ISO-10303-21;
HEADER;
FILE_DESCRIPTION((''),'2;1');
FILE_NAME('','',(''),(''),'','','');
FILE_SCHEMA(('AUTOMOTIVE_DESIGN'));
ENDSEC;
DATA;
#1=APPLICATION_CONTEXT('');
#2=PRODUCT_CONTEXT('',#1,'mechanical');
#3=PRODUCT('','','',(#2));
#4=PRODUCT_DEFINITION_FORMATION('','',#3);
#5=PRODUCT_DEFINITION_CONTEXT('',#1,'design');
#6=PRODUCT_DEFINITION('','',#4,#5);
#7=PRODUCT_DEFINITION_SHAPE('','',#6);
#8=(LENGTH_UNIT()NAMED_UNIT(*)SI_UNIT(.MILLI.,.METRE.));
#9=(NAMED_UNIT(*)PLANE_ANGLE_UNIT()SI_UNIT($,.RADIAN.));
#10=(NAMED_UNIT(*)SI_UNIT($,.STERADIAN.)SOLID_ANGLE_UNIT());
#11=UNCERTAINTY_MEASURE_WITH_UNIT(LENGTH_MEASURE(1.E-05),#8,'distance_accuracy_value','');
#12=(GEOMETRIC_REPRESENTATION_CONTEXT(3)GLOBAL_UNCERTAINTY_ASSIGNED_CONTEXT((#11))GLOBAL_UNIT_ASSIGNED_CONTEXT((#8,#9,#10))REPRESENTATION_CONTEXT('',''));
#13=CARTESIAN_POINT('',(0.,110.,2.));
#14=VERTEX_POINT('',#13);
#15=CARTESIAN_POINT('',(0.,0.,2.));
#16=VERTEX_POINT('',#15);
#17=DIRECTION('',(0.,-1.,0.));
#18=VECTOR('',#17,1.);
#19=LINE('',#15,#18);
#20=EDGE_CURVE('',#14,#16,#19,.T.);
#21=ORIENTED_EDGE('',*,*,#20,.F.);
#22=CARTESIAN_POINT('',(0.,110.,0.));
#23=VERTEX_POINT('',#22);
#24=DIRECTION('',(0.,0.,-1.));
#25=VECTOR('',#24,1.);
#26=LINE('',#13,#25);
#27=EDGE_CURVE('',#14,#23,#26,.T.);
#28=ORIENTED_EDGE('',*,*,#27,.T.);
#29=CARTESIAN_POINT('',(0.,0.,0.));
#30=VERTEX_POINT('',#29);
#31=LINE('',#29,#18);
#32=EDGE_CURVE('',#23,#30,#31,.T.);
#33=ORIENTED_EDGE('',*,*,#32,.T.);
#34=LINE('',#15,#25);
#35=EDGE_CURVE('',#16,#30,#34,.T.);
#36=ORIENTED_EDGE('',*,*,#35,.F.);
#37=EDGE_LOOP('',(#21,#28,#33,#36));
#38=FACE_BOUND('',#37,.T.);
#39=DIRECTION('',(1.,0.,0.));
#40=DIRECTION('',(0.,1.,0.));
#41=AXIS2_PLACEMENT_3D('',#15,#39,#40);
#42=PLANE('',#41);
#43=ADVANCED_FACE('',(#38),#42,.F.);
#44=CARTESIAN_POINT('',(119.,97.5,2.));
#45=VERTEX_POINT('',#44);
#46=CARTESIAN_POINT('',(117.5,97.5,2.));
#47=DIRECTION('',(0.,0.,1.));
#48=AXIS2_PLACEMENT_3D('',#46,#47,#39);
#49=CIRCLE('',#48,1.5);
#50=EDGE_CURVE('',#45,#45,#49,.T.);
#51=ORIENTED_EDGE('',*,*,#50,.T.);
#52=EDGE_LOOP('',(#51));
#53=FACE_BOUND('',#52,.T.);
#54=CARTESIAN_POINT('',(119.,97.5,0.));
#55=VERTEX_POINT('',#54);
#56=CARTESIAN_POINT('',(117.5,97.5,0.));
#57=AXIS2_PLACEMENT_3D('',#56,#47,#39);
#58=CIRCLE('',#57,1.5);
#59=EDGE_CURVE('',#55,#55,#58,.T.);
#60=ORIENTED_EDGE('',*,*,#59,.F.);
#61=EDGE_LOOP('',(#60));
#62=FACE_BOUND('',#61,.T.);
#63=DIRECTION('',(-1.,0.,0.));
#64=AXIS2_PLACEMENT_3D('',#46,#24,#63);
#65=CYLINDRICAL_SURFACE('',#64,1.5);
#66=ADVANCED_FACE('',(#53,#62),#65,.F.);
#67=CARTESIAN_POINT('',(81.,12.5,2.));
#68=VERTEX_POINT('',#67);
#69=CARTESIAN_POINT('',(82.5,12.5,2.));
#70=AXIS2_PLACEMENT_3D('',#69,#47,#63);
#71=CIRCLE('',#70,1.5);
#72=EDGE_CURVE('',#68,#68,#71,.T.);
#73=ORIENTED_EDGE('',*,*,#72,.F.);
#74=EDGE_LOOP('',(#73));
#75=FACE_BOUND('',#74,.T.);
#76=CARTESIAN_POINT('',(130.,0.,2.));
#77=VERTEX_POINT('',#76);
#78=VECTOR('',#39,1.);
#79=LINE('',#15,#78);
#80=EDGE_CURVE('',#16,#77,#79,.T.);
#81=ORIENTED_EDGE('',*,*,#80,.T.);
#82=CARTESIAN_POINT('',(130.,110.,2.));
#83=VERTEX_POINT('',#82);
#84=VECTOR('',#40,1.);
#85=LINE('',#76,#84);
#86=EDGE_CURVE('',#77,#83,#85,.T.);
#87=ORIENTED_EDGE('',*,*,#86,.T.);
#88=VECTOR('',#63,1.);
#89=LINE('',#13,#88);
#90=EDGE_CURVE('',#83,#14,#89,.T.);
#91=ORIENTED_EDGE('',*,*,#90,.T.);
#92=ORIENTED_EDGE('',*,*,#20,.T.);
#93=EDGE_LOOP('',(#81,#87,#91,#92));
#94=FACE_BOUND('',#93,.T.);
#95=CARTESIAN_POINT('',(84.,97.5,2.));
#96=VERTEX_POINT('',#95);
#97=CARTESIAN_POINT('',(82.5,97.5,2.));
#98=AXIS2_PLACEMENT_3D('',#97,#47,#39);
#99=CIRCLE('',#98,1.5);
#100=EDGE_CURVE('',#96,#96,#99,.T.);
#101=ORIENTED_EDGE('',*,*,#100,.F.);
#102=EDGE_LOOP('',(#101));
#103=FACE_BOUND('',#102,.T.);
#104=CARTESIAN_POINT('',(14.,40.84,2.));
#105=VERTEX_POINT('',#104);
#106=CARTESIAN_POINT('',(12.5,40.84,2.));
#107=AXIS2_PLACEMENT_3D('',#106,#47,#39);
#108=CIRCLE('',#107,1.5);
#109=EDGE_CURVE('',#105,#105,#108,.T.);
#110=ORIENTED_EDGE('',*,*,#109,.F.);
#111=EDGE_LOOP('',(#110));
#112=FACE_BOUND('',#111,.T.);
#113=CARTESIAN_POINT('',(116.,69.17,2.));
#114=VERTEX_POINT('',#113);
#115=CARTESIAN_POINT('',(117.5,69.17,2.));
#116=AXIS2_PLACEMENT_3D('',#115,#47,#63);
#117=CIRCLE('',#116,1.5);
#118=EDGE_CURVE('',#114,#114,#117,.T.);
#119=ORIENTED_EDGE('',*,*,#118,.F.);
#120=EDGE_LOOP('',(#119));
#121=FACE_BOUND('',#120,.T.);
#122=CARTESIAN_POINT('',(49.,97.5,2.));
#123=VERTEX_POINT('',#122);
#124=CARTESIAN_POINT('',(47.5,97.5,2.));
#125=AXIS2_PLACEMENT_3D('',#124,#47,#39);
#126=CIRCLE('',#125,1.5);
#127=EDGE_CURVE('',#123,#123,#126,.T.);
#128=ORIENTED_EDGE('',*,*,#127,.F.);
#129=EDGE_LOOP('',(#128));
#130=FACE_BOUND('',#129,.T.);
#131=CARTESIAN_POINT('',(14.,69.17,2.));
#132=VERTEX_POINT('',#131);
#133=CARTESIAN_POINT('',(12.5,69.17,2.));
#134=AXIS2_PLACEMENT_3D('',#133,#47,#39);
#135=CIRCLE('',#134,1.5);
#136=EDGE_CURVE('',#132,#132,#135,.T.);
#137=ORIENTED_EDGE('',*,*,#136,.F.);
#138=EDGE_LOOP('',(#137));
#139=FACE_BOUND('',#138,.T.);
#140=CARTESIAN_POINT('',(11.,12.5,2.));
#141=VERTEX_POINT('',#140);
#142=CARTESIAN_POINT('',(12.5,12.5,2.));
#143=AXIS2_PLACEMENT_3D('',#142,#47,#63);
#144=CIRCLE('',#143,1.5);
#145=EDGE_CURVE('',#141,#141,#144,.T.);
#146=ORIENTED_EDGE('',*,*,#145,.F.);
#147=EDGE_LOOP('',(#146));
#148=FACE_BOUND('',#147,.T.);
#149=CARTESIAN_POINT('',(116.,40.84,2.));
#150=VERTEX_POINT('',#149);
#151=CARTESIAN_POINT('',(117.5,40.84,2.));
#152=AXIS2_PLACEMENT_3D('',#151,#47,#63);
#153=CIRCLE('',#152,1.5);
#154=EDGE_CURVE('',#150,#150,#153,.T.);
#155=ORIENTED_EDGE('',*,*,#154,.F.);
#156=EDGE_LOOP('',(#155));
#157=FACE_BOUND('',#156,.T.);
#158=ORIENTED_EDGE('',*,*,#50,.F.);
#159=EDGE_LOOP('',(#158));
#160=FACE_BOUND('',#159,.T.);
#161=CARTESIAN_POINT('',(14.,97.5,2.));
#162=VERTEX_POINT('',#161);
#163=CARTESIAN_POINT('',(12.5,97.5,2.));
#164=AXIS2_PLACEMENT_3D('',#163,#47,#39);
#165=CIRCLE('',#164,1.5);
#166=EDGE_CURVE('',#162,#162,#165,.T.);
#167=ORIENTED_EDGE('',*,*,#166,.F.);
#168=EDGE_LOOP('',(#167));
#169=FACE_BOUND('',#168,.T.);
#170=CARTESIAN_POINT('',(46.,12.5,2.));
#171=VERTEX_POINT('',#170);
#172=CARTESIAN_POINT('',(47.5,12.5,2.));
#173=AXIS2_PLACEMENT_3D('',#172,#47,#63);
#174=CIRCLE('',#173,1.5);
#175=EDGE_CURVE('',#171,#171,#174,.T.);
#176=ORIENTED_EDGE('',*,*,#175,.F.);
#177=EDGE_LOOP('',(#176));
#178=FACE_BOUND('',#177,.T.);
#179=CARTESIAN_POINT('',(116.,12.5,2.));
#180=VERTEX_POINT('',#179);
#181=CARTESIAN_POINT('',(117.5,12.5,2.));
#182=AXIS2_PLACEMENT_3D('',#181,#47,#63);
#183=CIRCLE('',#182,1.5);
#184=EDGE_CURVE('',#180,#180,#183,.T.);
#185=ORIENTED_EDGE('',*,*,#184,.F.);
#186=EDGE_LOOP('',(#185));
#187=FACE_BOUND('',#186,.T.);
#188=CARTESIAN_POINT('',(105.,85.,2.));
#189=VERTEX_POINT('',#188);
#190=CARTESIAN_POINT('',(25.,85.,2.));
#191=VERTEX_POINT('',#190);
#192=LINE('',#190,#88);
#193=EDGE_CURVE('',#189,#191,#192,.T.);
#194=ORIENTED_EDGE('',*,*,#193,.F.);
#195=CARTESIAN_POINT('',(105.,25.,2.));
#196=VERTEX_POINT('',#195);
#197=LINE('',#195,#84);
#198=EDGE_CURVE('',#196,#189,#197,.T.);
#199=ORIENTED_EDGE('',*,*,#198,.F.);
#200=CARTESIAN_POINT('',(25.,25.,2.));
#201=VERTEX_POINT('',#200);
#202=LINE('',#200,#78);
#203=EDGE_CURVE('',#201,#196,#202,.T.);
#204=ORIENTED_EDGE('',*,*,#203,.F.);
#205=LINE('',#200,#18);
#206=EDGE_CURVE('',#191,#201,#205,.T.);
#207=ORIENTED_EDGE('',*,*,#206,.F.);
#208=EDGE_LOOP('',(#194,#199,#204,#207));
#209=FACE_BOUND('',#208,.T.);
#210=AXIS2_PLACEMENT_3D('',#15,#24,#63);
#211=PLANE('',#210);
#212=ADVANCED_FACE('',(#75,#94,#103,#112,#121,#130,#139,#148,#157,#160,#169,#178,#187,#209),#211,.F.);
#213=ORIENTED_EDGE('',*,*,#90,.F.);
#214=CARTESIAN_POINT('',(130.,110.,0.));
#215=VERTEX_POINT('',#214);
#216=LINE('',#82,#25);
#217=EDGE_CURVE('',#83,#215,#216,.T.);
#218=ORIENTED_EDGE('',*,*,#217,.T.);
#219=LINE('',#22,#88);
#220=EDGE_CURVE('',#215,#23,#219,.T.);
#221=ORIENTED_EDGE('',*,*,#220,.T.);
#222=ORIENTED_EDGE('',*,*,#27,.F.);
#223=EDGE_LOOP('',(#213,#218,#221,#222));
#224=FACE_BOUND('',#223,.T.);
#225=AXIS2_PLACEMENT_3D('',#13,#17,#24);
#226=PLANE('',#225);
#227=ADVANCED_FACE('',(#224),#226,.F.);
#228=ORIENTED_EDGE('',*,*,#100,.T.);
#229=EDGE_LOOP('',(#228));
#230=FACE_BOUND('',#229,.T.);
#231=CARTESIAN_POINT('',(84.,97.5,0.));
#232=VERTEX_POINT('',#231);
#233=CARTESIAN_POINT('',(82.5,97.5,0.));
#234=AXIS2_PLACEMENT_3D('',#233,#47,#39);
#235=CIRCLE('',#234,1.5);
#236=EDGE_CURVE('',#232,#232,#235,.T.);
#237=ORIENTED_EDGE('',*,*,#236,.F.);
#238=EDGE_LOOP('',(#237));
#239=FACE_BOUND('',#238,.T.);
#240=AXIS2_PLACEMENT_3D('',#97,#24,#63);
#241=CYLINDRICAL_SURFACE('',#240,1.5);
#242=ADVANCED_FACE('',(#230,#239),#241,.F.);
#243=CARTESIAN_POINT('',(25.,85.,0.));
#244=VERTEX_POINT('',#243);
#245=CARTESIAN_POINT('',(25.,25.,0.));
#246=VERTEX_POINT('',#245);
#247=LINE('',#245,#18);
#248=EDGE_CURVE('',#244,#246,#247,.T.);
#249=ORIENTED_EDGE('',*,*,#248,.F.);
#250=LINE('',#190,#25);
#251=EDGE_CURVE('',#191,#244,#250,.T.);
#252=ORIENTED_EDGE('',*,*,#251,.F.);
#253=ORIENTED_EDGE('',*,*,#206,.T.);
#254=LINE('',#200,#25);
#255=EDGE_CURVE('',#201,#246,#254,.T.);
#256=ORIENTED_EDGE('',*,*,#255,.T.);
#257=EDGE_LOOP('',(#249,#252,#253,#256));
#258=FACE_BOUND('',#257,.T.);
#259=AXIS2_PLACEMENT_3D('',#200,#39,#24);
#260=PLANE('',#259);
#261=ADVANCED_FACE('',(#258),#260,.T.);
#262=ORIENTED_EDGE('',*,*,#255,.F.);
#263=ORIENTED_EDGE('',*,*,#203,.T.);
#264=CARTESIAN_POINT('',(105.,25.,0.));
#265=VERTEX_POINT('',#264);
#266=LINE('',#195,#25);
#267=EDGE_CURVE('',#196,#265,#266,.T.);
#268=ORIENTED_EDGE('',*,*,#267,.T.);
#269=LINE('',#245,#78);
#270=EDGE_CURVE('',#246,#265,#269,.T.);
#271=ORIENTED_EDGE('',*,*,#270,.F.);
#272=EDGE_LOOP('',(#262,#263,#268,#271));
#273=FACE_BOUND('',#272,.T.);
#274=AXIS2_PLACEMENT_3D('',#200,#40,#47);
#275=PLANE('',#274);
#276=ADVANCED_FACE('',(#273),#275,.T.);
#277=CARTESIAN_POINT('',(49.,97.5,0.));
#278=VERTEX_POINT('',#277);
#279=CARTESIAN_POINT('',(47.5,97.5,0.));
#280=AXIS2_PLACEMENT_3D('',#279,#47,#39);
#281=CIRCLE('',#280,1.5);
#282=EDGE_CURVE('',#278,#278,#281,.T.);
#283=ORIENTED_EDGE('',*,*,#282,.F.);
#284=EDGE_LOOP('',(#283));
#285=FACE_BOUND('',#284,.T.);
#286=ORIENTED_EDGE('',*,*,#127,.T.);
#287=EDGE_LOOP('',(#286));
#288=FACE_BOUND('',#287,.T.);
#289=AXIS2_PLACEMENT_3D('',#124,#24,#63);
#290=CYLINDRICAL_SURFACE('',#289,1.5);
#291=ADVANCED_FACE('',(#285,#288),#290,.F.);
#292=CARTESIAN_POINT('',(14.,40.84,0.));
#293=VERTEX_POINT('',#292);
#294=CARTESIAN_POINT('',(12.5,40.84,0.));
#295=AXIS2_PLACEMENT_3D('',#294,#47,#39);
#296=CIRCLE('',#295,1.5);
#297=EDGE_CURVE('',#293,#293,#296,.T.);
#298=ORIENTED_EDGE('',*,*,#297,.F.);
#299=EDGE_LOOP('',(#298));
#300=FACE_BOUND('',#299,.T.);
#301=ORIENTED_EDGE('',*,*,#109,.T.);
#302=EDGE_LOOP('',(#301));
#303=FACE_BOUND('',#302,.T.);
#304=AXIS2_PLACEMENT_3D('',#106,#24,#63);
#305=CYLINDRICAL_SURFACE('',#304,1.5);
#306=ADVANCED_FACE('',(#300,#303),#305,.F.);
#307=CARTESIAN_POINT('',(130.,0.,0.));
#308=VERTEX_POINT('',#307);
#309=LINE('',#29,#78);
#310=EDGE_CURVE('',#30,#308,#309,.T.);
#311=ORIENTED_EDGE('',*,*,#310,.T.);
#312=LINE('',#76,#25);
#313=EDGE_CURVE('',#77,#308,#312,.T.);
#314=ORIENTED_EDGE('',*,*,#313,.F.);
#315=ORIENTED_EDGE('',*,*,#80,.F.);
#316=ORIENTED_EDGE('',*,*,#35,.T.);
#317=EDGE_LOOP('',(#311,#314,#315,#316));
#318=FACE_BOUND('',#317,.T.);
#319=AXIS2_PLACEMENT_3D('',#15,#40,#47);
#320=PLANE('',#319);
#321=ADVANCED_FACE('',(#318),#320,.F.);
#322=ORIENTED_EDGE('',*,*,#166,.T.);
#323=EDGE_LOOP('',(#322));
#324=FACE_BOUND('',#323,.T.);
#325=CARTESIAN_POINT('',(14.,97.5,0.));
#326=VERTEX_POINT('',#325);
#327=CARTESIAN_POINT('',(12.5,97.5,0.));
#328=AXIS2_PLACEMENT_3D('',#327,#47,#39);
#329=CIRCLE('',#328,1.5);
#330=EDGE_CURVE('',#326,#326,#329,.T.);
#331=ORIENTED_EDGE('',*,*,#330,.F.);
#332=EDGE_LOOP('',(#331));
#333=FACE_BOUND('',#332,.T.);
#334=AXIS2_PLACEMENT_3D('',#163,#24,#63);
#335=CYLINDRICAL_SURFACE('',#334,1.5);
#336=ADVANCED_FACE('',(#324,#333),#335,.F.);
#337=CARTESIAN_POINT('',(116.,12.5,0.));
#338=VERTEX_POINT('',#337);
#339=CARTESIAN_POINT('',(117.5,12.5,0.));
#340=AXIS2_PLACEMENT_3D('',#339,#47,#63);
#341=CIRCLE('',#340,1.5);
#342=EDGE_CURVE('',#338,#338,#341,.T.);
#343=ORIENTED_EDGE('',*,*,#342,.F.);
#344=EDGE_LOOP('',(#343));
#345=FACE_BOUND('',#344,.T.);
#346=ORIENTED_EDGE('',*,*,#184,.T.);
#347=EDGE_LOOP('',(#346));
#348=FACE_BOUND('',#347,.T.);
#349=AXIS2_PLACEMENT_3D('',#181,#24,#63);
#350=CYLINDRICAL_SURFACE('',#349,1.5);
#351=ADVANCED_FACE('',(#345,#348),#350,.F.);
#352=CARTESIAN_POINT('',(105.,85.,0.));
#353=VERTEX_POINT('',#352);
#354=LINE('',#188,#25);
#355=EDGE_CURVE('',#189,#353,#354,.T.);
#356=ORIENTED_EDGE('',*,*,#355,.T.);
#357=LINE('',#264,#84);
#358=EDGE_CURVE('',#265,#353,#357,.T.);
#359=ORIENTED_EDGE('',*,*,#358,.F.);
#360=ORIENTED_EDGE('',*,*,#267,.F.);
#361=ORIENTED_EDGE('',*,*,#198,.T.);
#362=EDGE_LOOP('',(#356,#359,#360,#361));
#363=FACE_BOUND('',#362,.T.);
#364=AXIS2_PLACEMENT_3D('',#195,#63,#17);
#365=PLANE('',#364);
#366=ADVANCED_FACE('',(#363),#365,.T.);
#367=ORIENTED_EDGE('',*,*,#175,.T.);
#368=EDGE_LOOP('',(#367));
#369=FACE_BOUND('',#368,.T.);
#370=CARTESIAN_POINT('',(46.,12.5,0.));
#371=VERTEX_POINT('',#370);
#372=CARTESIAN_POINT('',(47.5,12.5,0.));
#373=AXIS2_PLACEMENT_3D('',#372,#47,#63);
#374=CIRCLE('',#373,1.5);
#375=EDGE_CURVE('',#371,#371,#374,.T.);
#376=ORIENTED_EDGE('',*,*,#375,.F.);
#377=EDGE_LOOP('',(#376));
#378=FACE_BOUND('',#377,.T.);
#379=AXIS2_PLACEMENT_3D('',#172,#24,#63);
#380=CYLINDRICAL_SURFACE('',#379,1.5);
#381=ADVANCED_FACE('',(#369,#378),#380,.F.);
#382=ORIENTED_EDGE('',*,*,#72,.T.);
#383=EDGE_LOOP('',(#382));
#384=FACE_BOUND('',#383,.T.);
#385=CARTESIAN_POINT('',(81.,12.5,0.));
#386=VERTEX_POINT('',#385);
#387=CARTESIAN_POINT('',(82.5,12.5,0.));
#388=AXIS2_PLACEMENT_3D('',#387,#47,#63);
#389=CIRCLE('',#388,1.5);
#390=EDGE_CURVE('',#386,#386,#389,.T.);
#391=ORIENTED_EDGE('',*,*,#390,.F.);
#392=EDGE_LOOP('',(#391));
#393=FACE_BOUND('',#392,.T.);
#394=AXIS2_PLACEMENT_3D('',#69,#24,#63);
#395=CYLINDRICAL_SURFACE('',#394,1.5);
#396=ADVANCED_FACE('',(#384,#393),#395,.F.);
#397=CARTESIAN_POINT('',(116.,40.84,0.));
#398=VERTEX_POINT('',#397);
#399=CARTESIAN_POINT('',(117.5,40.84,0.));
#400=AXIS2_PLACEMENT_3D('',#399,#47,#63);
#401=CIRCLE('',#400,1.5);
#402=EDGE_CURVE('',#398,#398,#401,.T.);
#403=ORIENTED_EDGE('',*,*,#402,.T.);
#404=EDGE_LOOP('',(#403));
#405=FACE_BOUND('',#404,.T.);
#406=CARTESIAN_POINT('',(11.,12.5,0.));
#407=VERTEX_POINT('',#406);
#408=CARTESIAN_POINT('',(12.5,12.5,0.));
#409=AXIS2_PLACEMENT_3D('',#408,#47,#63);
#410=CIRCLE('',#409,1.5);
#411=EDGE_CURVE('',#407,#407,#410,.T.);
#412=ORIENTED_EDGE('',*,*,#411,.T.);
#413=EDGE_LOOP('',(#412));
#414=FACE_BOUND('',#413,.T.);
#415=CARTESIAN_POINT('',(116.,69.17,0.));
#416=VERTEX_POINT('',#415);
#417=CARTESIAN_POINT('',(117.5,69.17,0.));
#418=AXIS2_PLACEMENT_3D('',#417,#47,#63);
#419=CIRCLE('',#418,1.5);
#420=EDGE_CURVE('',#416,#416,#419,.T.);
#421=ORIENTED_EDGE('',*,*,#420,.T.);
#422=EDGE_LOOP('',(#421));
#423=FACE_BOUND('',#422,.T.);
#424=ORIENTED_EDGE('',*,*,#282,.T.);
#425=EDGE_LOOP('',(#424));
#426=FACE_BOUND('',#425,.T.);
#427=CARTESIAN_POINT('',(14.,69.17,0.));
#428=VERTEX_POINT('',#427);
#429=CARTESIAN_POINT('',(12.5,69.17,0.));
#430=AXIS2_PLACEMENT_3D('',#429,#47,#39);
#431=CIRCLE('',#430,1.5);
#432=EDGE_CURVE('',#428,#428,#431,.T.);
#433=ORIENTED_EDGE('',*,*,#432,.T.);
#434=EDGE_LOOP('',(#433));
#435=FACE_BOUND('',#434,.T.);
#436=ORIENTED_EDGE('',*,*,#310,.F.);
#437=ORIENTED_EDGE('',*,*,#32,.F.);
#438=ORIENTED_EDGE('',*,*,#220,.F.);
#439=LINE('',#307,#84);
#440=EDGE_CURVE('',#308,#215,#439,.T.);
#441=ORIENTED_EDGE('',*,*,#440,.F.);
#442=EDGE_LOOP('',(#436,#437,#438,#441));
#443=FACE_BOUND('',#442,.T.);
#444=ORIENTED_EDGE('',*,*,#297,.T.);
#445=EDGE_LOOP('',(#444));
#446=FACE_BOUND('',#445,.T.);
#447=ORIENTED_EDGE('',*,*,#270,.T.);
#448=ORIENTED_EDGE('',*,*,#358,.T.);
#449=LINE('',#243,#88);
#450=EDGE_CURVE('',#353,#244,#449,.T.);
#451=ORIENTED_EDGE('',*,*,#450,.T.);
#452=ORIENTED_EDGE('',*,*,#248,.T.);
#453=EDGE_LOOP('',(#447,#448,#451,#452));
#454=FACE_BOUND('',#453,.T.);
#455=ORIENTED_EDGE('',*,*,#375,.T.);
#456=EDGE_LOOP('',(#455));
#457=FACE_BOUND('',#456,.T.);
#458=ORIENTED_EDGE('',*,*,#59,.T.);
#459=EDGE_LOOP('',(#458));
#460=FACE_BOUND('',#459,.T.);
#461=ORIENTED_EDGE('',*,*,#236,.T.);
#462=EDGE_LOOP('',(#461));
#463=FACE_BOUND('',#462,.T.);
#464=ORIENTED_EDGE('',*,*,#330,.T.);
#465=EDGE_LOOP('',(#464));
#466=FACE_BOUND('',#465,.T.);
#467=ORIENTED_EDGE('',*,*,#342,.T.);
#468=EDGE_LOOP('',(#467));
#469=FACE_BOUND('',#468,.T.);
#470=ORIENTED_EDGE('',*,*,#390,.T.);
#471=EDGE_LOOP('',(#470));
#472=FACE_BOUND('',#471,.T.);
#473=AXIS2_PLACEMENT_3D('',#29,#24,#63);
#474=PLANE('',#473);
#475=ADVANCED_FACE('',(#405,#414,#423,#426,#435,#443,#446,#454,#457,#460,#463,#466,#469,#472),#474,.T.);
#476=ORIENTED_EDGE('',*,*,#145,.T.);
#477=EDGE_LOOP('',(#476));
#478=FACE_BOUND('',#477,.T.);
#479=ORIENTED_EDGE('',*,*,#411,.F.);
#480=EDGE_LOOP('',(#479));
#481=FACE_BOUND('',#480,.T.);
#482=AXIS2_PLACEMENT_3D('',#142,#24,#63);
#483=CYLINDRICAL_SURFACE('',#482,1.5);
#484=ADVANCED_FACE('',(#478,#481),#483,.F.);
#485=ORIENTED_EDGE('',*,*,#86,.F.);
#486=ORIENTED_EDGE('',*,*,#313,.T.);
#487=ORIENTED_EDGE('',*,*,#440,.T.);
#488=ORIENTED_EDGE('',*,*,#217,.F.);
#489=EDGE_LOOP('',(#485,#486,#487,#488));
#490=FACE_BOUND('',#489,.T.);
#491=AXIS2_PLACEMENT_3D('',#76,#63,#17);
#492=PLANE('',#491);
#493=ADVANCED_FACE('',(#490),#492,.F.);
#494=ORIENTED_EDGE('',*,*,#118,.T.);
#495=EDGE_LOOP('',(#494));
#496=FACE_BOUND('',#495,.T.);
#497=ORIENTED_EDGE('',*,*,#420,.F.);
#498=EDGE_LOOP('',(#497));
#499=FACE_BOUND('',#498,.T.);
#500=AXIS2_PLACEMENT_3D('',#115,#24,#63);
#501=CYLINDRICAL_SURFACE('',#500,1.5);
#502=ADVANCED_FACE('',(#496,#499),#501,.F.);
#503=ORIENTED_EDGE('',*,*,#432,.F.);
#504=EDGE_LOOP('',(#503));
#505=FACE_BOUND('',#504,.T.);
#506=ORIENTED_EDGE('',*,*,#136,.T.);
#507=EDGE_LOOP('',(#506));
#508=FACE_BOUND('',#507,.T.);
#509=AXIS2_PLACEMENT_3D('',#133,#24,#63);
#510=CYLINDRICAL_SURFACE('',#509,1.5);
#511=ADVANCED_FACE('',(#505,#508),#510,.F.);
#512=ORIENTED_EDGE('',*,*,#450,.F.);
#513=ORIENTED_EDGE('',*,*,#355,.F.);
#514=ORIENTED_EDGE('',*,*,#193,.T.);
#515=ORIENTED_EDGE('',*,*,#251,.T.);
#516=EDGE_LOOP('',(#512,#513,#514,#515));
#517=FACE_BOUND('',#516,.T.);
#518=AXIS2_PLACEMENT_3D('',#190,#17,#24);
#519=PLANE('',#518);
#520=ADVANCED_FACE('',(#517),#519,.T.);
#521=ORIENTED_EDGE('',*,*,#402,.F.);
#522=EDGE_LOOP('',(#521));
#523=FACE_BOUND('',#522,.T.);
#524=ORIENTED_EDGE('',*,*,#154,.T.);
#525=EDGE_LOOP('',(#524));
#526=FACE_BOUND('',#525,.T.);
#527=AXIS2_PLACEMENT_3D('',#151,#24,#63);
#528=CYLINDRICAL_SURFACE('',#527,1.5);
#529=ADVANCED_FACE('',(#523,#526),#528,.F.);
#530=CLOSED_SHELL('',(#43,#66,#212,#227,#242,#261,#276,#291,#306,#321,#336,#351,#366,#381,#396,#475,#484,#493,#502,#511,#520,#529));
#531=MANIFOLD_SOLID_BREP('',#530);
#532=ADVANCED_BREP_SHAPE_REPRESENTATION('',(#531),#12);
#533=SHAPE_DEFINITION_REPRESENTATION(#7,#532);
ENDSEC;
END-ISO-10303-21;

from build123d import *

# Parameters (mm, degrees)
CROQUIS1_W              = 130
CROQUIS1_H              = 110
CROQUIS1_W_2            = 80
CROQUIS1_H_2            = 60
SALIENTE_EXTRUIR1_DEPTH = 2
CROQUIS2_R              = 1.5
CORTAR_EXTRUIR2_DEPTH   = 171.305607659


with BuildPart() as part:
    # Croquis1 → Saliente-Extruir1 (new body)
    with BuildSketch(Plane.XY):
        with Locations((65, 55)):
            Rectangle(CROQUIS1_W, CROQUIS1_H)
        with Locations((65, 55)):
            Rectangle(CROQUIS1_W_2, CROQUIS1_H_2, mode=Mode.SUBTRACT)
    extrude(amount=SALIENTE_EXTRUIR1_DEPTH)

    # Croquis2 → Cortar-Extruir2 (cut, through all)
    with BuildSketch(Plane.XY):
        with Locations((12.5, 97.5)):
            Circle(CROQUIS2_R)
        with Locations((47.5, 97.5)):
            Circle(CROQUIS2_R)
        with Locations((82.5, 97.5)):
            Circle(CROQUIS2_R)
        with Locations((117.5, 97.5)):
            Circle(CROQUIS2_R)
        with Locations((12.5, 69.17)):
            Circle(CROQUIS2_R)
        with Locations((12.5, 40.84)):
            Circle(CROQUIS2_R)
        with Locations(Location((117.5, 12.5, 0), (0, 0, 180))):
            Circle(CROQUIS2_R)
        with Locations(Location((82.5, 12.5, 0), (0, 0, 180))):
            Circle(CROQUIS2_R)
        with Locations(Location((47.5, 12.5, 0), (0, 0, 180))):
            Circle(CROQUIS2_R)
        with Locations(Location((12.5, 12.5, 0), (0, 0, 180))):
            Circle(CROQUIS2_R)
        with Locations(Location((117.5, 40.84, 0), (0, 0, 180))):
            Circle(CROQUIS2_R)
        with Locations(Location((117.5, 69.17, 0), (0, 0, 180))):
            Circle(CROQUIS2_R)
    extrude(amount=CORTAR_EXTRUIR2_DEPTH, mode=Mode.SUBTRACT)


solid = part.part
